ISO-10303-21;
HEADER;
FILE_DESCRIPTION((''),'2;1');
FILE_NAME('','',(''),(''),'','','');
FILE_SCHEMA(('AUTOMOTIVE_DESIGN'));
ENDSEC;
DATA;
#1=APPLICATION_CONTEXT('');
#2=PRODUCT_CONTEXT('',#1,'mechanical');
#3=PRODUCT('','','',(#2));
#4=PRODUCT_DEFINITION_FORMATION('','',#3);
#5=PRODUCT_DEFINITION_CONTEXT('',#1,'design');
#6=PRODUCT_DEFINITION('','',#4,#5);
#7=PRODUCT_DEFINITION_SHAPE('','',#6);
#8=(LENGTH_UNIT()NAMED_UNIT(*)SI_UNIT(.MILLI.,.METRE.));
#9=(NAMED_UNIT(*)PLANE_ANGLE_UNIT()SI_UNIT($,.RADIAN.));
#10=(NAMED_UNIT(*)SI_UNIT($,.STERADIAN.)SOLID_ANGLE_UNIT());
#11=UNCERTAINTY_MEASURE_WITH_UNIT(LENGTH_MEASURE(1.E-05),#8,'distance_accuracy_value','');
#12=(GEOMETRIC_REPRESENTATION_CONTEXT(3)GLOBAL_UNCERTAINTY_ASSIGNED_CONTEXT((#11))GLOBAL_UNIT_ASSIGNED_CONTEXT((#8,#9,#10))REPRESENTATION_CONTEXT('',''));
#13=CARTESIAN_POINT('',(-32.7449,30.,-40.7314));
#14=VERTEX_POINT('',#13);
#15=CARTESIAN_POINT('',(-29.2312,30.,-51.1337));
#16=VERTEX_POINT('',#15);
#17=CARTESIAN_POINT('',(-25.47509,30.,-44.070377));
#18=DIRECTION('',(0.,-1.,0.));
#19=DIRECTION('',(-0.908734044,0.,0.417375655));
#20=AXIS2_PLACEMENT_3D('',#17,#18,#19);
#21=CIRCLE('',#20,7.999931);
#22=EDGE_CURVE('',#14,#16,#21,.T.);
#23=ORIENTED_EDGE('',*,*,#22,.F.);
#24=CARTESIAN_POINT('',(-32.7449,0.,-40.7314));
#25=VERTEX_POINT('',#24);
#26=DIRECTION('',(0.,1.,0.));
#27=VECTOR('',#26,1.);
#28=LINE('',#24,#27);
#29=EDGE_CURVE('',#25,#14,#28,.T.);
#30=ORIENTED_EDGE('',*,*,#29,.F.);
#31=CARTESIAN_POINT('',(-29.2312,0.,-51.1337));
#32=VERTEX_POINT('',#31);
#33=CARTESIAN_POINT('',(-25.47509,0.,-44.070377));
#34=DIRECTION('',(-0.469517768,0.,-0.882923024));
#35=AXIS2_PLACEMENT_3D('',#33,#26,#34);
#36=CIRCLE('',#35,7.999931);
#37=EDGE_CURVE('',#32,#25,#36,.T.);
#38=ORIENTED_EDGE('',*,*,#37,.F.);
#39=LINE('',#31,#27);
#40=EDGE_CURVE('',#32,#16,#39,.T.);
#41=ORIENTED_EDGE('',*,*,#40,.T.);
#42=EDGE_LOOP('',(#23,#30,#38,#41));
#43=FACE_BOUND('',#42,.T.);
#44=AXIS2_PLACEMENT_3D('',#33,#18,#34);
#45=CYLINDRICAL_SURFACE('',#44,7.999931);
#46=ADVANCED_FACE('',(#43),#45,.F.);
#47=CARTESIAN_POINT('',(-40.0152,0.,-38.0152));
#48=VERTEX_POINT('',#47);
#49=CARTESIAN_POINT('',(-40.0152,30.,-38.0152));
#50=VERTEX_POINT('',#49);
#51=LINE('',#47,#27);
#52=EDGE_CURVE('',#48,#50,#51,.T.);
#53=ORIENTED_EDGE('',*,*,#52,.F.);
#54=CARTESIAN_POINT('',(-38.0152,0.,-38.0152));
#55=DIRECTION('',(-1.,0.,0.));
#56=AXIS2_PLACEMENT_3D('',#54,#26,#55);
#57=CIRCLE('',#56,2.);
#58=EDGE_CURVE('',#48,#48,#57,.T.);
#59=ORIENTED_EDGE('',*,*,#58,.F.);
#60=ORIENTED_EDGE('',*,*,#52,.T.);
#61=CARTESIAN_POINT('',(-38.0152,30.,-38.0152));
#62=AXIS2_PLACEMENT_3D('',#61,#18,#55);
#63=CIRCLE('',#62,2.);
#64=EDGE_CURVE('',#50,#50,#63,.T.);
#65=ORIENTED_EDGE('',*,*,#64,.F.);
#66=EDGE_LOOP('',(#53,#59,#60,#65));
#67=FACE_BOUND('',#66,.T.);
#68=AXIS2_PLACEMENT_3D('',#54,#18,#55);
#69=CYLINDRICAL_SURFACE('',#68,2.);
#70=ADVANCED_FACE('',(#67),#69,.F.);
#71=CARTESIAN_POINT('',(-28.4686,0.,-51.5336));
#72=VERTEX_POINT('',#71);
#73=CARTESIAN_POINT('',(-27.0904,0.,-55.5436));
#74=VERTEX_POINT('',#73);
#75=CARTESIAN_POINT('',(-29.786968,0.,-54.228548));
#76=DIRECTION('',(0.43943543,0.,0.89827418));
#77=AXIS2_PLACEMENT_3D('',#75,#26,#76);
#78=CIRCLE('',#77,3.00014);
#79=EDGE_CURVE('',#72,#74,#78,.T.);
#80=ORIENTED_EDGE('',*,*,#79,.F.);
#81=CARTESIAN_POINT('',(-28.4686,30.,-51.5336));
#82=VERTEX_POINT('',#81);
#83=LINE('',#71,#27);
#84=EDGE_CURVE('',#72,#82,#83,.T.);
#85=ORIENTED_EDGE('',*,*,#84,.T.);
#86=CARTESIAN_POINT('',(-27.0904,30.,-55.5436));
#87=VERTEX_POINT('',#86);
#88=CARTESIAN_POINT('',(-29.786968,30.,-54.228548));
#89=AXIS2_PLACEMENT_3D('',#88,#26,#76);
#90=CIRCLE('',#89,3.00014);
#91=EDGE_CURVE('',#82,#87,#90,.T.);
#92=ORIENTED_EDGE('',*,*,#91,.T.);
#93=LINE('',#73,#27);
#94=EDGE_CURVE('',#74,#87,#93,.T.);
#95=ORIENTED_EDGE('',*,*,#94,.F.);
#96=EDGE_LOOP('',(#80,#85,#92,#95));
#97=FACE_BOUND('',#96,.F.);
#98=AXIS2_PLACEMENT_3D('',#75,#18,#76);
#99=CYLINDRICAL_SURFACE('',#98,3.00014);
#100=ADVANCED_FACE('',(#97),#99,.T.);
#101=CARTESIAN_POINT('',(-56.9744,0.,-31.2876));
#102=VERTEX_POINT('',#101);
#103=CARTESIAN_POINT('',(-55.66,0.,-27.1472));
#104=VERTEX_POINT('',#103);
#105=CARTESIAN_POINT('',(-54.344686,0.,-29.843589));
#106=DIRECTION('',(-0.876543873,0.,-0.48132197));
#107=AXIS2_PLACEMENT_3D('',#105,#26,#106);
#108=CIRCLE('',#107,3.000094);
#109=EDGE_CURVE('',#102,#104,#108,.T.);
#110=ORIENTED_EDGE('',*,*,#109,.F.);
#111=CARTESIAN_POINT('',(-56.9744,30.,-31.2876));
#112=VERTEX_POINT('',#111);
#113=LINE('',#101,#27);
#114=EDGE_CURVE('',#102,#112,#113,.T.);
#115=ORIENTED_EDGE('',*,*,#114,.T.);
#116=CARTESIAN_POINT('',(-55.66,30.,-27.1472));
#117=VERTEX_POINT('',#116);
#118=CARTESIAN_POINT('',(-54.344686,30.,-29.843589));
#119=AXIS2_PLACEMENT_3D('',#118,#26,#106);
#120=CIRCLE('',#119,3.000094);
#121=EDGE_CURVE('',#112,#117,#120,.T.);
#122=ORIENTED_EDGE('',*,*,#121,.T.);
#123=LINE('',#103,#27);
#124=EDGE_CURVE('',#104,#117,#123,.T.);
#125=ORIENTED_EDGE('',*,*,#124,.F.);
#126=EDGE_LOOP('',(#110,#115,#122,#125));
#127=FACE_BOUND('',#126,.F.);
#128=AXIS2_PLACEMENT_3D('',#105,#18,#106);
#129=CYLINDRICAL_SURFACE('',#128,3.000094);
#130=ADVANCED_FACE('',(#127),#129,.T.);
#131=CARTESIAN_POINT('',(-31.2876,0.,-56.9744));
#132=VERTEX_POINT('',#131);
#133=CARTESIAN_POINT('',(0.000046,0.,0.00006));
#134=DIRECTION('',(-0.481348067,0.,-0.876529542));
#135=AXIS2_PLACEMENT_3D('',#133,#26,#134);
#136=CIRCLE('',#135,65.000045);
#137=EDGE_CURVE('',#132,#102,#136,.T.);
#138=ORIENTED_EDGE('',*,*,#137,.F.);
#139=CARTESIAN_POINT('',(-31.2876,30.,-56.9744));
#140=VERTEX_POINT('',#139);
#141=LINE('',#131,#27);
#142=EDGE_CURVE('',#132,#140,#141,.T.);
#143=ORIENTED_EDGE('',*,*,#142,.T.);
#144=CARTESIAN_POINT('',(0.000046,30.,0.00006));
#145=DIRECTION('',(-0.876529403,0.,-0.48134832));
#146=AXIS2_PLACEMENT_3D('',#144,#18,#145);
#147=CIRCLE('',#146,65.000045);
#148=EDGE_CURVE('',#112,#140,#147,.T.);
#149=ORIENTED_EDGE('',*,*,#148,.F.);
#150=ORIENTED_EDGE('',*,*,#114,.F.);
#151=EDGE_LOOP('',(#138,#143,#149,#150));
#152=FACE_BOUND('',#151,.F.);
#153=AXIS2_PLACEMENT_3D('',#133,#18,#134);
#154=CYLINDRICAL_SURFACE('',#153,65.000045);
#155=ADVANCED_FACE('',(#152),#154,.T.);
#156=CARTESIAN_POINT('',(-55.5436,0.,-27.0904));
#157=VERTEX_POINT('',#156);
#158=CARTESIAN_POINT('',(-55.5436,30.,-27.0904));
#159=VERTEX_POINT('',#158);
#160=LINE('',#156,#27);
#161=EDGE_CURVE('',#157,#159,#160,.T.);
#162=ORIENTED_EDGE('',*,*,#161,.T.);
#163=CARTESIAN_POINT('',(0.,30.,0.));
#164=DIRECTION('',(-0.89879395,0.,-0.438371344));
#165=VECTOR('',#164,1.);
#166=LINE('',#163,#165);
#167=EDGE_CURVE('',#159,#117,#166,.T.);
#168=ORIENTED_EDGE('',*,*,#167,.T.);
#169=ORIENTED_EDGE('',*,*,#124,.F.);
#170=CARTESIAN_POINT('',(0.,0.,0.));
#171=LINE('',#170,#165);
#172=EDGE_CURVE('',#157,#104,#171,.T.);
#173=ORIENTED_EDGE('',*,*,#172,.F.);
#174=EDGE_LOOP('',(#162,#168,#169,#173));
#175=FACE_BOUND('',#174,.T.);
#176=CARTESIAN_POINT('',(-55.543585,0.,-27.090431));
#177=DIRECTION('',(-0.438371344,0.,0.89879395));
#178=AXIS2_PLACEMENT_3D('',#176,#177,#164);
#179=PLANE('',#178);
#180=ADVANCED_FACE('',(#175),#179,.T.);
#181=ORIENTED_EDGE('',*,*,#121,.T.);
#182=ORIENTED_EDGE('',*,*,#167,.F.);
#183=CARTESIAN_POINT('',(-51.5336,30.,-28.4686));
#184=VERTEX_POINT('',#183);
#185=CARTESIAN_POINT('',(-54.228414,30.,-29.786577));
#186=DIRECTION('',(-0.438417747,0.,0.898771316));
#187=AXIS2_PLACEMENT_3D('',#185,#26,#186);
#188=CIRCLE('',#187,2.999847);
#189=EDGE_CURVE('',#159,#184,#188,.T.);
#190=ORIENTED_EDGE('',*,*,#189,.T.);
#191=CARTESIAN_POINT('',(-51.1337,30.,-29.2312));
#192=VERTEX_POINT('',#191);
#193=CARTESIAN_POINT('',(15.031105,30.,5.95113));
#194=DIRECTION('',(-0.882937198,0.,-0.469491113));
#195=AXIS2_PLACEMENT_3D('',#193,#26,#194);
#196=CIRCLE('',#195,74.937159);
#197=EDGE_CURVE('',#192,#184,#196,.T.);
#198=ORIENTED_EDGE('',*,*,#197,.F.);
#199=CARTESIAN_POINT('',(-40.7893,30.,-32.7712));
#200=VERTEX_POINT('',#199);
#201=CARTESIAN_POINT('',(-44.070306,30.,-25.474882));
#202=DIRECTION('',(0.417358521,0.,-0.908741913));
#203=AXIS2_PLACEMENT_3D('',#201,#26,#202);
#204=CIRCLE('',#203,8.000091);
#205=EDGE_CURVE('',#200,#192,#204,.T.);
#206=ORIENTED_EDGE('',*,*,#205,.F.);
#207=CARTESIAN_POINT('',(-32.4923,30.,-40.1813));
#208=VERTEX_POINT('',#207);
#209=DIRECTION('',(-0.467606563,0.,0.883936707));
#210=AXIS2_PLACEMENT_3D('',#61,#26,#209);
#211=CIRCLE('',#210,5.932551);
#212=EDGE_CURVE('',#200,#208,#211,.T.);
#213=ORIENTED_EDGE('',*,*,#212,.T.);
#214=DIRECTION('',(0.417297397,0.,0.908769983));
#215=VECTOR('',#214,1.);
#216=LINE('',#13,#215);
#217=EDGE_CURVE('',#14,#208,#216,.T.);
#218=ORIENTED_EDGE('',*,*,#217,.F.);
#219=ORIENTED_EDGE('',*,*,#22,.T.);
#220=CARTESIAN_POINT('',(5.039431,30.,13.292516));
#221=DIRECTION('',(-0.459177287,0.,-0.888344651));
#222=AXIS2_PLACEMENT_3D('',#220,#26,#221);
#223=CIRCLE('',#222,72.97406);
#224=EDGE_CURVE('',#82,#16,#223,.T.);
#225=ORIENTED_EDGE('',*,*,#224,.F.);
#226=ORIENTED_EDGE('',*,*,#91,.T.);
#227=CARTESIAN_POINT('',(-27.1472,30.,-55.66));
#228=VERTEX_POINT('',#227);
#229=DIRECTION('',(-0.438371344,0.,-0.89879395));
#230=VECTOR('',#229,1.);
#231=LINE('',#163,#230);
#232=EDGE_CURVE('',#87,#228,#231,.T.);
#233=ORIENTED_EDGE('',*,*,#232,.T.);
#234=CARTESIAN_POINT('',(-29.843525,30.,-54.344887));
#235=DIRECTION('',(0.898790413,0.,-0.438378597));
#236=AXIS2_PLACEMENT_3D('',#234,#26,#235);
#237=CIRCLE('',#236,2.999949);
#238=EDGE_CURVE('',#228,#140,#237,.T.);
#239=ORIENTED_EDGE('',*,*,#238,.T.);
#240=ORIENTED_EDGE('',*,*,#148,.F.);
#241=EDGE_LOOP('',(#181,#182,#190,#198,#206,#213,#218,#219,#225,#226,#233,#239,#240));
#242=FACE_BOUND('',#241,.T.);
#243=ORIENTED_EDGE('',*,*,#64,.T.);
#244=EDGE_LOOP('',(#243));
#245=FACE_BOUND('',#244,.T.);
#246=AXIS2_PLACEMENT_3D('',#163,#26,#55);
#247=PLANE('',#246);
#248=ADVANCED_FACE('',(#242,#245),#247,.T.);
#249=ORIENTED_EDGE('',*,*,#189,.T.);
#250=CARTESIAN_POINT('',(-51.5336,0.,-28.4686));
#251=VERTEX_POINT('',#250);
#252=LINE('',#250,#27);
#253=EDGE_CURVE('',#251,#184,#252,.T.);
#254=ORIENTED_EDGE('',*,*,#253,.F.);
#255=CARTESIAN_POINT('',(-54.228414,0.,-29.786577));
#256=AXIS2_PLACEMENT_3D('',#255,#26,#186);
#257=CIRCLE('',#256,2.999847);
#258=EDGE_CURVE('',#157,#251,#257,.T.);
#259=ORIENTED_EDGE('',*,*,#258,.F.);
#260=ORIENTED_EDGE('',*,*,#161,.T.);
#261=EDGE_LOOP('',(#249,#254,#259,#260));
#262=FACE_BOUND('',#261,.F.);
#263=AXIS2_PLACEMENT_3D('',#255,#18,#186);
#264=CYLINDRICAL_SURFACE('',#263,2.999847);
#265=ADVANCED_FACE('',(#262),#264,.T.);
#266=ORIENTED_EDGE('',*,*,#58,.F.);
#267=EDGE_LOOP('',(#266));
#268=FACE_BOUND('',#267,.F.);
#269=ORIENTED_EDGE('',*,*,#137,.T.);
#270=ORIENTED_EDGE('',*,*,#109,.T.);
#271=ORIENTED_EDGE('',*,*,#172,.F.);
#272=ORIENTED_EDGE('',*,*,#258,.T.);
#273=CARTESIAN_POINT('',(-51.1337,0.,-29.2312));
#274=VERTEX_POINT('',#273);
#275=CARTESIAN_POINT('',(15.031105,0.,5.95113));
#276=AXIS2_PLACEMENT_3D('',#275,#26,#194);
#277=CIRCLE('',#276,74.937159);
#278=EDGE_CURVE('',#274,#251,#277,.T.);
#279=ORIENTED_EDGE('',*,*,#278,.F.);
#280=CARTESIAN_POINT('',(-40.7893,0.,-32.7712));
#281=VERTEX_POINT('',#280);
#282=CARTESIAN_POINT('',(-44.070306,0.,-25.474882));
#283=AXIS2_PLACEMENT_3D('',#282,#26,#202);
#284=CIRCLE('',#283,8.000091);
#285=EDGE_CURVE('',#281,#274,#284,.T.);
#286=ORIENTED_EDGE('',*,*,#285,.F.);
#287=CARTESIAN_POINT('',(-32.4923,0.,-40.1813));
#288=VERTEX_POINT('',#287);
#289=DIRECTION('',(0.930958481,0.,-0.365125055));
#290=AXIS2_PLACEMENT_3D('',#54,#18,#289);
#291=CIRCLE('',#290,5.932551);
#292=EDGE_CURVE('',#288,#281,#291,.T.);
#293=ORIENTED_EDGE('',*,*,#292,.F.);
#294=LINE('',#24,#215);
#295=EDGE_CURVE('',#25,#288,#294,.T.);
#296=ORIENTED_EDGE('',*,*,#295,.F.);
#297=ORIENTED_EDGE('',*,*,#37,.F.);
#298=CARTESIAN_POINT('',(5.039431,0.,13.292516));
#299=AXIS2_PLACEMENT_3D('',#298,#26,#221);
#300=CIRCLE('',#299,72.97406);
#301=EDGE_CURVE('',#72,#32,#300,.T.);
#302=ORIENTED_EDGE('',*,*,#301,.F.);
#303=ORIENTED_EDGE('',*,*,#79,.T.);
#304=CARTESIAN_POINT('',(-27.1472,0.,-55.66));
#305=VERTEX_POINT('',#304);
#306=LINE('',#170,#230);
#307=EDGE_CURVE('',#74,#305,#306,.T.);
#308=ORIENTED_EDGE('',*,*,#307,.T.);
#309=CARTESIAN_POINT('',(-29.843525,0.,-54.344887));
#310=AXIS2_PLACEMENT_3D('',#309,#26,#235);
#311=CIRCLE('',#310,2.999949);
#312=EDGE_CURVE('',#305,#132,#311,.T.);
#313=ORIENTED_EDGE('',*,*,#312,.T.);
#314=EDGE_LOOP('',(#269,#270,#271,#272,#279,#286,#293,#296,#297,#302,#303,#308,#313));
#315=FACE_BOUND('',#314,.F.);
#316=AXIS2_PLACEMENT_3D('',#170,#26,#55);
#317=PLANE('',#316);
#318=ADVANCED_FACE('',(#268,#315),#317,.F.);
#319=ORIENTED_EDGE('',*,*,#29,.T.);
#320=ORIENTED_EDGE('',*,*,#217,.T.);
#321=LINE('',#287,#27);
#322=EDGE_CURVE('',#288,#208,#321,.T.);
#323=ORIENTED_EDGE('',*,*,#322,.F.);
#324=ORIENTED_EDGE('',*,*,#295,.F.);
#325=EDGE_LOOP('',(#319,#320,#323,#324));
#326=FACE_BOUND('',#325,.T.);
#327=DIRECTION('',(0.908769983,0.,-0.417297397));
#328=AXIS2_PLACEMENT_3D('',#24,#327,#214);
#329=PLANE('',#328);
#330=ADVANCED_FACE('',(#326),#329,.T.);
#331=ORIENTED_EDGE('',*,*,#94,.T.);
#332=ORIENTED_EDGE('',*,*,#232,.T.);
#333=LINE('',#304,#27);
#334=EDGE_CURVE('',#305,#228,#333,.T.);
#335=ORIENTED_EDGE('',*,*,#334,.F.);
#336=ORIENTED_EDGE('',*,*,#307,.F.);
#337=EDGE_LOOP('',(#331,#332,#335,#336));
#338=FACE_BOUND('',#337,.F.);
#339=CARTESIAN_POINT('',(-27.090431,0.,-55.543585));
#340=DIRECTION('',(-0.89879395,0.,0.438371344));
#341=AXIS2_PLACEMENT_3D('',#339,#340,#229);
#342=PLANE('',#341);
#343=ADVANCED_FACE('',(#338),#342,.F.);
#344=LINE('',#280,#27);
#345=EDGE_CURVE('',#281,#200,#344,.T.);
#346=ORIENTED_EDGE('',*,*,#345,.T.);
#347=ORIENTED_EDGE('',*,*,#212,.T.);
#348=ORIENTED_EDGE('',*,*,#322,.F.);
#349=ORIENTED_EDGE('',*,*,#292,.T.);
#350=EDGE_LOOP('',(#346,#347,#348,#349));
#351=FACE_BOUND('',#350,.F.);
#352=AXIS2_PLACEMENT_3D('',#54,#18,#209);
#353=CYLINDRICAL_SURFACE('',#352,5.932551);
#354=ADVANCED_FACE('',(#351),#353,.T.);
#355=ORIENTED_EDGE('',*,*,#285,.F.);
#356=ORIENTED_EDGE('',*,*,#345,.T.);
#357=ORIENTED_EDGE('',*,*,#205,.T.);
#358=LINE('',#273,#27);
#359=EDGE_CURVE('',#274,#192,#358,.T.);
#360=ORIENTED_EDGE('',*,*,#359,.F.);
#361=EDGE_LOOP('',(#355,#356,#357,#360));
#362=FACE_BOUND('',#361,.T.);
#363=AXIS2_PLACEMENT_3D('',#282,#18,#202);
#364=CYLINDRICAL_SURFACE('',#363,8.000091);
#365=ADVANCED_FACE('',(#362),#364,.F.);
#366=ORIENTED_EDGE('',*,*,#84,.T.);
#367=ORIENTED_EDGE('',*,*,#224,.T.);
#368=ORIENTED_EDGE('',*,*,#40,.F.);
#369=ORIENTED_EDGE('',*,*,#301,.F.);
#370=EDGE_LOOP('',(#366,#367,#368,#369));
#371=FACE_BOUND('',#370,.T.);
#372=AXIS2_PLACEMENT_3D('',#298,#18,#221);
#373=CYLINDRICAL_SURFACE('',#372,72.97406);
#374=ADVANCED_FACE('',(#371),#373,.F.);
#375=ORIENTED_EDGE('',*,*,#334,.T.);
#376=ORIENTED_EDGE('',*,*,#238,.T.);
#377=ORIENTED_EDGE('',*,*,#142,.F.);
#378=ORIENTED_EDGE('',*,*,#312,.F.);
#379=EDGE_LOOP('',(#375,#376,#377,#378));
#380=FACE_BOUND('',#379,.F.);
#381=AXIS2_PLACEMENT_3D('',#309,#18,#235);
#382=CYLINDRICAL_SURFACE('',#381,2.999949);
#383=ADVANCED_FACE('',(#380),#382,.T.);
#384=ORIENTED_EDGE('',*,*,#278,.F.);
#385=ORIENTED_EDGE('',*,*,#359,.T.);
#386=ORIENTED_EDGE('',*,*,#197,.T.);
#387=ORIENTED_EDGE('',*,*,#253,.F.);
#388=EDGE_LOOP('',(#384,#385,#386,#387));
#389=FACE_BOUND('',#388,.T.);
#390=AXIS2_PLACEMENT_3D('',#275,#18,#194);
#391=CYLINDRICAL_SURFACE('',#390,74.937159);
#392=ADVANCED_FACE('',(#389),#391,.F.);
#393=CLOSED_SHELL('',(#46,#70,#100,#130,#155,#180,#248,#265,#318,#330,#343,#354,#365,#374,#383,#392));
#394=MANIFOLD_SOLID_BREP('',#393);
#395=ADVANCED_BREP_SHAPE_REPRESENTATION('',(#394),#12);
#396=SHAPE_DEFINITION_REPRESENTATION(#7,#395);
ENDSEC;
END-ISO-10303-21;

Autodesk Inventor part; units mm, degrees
ref_plane "XZ Plane" through (0, 0, 0) normal (0, 1, 0) x (-1, 0, 0)
ref_plane "XY Plane" through (0, 0, 0) normal (0, 0, 1) x (1, 0, 0)
sketch "Sketch1" plane through (0, 0, 0) normal (0, 1, 0) x (-1, 0, 0)
  arc A0 (31.2876, -56.9744) -> (58.4216, -28.4941) centre (0, 0) ccw
  line L0 (0, -76.4247) -> (0, 75.7077)
  line L1 (75.2776, 0) -> (-75.7077, 0)
  line L2 (0, 0) -> (78.1118, -78.1118)
  line L3 (0, 0) -> (84.1598, -41.0475)
  line L4 (0, 0) -> (41.0475, -84.1598)
  circle A1 centre (38.0152, -38.0152) radius 2
  arc A2 (40.7893, -32.7712) -> (32.7712, -40.7893) centre (38.0152, -38.0152) ccw
  line L5 (27.1472, -55.66) -> (27.0904, -55.5436)
  arc A3 (27.1472, -55.66) -> (31.2876, -56.9744) centre (29.8436, -54.3448) ccw
  arc A4 (28.4686, -51.5336) -> (27.0904, -55.5436) centre (29.7868, -54.2284) ccw
  arc A5 (28.4686, -51.5336) -> (29.2312, -51.1337) centre (-5.4867, 14.1516) ccw
  line L6 (32.7449, -40.7314) -> (32.4923, -40.1813)
  arc A6 (29.2312, -51.1337) -> (32.7449, -40.7314) centre (25.475, -44.0703) ccw
  line L7 (55.66, -27.1472) -> (55.5436, -27.0904)
  arc A7 (56.9744, -31.2876) -> (55.66, -27.1472) centre (54.3448, -29.8436) ccw
  arc A8 (55.5436, -27.0904) -> (51.5336, -28.4686) centre (54.2284, -29.7868) ccw
  arc A9 (51.1337, -29.2312) -> (51.5336, -28.4686) centre (-14.1516, 5.4867) ccw
  arc A10 (40.7314, -32.7449) -> (51.1337, -29.2312) centre (44.0703, -25.475) ccw
  point P0 (28.4941, -58.4216)
  point P1 (25.6079, -52.5039)
  point P2 (35.7325, -47.2364)
  point P3 (55.5436, -27.0904)
  dimension "d0" = 65
  dimension "d1" = 45
  dimension "d2" = 26
  dimension "d3" = 4
  dimension "d4" = 3
  dimension "d6" = 8
extrude "Extrusion1" add sketch "Sketch1" along normal blind 30 contours A0 L2 A1 A2 A10 A9 A8 L3 A7 | A0 A3 L4 A4 A5 A6 L6 A2 L2 A1
ref_plane "Work Plane1" through (0, 0, 0) normal (0.7071, 0, -0.7071) x (0, 1, 0)
properties part number "Foam Attachment"
